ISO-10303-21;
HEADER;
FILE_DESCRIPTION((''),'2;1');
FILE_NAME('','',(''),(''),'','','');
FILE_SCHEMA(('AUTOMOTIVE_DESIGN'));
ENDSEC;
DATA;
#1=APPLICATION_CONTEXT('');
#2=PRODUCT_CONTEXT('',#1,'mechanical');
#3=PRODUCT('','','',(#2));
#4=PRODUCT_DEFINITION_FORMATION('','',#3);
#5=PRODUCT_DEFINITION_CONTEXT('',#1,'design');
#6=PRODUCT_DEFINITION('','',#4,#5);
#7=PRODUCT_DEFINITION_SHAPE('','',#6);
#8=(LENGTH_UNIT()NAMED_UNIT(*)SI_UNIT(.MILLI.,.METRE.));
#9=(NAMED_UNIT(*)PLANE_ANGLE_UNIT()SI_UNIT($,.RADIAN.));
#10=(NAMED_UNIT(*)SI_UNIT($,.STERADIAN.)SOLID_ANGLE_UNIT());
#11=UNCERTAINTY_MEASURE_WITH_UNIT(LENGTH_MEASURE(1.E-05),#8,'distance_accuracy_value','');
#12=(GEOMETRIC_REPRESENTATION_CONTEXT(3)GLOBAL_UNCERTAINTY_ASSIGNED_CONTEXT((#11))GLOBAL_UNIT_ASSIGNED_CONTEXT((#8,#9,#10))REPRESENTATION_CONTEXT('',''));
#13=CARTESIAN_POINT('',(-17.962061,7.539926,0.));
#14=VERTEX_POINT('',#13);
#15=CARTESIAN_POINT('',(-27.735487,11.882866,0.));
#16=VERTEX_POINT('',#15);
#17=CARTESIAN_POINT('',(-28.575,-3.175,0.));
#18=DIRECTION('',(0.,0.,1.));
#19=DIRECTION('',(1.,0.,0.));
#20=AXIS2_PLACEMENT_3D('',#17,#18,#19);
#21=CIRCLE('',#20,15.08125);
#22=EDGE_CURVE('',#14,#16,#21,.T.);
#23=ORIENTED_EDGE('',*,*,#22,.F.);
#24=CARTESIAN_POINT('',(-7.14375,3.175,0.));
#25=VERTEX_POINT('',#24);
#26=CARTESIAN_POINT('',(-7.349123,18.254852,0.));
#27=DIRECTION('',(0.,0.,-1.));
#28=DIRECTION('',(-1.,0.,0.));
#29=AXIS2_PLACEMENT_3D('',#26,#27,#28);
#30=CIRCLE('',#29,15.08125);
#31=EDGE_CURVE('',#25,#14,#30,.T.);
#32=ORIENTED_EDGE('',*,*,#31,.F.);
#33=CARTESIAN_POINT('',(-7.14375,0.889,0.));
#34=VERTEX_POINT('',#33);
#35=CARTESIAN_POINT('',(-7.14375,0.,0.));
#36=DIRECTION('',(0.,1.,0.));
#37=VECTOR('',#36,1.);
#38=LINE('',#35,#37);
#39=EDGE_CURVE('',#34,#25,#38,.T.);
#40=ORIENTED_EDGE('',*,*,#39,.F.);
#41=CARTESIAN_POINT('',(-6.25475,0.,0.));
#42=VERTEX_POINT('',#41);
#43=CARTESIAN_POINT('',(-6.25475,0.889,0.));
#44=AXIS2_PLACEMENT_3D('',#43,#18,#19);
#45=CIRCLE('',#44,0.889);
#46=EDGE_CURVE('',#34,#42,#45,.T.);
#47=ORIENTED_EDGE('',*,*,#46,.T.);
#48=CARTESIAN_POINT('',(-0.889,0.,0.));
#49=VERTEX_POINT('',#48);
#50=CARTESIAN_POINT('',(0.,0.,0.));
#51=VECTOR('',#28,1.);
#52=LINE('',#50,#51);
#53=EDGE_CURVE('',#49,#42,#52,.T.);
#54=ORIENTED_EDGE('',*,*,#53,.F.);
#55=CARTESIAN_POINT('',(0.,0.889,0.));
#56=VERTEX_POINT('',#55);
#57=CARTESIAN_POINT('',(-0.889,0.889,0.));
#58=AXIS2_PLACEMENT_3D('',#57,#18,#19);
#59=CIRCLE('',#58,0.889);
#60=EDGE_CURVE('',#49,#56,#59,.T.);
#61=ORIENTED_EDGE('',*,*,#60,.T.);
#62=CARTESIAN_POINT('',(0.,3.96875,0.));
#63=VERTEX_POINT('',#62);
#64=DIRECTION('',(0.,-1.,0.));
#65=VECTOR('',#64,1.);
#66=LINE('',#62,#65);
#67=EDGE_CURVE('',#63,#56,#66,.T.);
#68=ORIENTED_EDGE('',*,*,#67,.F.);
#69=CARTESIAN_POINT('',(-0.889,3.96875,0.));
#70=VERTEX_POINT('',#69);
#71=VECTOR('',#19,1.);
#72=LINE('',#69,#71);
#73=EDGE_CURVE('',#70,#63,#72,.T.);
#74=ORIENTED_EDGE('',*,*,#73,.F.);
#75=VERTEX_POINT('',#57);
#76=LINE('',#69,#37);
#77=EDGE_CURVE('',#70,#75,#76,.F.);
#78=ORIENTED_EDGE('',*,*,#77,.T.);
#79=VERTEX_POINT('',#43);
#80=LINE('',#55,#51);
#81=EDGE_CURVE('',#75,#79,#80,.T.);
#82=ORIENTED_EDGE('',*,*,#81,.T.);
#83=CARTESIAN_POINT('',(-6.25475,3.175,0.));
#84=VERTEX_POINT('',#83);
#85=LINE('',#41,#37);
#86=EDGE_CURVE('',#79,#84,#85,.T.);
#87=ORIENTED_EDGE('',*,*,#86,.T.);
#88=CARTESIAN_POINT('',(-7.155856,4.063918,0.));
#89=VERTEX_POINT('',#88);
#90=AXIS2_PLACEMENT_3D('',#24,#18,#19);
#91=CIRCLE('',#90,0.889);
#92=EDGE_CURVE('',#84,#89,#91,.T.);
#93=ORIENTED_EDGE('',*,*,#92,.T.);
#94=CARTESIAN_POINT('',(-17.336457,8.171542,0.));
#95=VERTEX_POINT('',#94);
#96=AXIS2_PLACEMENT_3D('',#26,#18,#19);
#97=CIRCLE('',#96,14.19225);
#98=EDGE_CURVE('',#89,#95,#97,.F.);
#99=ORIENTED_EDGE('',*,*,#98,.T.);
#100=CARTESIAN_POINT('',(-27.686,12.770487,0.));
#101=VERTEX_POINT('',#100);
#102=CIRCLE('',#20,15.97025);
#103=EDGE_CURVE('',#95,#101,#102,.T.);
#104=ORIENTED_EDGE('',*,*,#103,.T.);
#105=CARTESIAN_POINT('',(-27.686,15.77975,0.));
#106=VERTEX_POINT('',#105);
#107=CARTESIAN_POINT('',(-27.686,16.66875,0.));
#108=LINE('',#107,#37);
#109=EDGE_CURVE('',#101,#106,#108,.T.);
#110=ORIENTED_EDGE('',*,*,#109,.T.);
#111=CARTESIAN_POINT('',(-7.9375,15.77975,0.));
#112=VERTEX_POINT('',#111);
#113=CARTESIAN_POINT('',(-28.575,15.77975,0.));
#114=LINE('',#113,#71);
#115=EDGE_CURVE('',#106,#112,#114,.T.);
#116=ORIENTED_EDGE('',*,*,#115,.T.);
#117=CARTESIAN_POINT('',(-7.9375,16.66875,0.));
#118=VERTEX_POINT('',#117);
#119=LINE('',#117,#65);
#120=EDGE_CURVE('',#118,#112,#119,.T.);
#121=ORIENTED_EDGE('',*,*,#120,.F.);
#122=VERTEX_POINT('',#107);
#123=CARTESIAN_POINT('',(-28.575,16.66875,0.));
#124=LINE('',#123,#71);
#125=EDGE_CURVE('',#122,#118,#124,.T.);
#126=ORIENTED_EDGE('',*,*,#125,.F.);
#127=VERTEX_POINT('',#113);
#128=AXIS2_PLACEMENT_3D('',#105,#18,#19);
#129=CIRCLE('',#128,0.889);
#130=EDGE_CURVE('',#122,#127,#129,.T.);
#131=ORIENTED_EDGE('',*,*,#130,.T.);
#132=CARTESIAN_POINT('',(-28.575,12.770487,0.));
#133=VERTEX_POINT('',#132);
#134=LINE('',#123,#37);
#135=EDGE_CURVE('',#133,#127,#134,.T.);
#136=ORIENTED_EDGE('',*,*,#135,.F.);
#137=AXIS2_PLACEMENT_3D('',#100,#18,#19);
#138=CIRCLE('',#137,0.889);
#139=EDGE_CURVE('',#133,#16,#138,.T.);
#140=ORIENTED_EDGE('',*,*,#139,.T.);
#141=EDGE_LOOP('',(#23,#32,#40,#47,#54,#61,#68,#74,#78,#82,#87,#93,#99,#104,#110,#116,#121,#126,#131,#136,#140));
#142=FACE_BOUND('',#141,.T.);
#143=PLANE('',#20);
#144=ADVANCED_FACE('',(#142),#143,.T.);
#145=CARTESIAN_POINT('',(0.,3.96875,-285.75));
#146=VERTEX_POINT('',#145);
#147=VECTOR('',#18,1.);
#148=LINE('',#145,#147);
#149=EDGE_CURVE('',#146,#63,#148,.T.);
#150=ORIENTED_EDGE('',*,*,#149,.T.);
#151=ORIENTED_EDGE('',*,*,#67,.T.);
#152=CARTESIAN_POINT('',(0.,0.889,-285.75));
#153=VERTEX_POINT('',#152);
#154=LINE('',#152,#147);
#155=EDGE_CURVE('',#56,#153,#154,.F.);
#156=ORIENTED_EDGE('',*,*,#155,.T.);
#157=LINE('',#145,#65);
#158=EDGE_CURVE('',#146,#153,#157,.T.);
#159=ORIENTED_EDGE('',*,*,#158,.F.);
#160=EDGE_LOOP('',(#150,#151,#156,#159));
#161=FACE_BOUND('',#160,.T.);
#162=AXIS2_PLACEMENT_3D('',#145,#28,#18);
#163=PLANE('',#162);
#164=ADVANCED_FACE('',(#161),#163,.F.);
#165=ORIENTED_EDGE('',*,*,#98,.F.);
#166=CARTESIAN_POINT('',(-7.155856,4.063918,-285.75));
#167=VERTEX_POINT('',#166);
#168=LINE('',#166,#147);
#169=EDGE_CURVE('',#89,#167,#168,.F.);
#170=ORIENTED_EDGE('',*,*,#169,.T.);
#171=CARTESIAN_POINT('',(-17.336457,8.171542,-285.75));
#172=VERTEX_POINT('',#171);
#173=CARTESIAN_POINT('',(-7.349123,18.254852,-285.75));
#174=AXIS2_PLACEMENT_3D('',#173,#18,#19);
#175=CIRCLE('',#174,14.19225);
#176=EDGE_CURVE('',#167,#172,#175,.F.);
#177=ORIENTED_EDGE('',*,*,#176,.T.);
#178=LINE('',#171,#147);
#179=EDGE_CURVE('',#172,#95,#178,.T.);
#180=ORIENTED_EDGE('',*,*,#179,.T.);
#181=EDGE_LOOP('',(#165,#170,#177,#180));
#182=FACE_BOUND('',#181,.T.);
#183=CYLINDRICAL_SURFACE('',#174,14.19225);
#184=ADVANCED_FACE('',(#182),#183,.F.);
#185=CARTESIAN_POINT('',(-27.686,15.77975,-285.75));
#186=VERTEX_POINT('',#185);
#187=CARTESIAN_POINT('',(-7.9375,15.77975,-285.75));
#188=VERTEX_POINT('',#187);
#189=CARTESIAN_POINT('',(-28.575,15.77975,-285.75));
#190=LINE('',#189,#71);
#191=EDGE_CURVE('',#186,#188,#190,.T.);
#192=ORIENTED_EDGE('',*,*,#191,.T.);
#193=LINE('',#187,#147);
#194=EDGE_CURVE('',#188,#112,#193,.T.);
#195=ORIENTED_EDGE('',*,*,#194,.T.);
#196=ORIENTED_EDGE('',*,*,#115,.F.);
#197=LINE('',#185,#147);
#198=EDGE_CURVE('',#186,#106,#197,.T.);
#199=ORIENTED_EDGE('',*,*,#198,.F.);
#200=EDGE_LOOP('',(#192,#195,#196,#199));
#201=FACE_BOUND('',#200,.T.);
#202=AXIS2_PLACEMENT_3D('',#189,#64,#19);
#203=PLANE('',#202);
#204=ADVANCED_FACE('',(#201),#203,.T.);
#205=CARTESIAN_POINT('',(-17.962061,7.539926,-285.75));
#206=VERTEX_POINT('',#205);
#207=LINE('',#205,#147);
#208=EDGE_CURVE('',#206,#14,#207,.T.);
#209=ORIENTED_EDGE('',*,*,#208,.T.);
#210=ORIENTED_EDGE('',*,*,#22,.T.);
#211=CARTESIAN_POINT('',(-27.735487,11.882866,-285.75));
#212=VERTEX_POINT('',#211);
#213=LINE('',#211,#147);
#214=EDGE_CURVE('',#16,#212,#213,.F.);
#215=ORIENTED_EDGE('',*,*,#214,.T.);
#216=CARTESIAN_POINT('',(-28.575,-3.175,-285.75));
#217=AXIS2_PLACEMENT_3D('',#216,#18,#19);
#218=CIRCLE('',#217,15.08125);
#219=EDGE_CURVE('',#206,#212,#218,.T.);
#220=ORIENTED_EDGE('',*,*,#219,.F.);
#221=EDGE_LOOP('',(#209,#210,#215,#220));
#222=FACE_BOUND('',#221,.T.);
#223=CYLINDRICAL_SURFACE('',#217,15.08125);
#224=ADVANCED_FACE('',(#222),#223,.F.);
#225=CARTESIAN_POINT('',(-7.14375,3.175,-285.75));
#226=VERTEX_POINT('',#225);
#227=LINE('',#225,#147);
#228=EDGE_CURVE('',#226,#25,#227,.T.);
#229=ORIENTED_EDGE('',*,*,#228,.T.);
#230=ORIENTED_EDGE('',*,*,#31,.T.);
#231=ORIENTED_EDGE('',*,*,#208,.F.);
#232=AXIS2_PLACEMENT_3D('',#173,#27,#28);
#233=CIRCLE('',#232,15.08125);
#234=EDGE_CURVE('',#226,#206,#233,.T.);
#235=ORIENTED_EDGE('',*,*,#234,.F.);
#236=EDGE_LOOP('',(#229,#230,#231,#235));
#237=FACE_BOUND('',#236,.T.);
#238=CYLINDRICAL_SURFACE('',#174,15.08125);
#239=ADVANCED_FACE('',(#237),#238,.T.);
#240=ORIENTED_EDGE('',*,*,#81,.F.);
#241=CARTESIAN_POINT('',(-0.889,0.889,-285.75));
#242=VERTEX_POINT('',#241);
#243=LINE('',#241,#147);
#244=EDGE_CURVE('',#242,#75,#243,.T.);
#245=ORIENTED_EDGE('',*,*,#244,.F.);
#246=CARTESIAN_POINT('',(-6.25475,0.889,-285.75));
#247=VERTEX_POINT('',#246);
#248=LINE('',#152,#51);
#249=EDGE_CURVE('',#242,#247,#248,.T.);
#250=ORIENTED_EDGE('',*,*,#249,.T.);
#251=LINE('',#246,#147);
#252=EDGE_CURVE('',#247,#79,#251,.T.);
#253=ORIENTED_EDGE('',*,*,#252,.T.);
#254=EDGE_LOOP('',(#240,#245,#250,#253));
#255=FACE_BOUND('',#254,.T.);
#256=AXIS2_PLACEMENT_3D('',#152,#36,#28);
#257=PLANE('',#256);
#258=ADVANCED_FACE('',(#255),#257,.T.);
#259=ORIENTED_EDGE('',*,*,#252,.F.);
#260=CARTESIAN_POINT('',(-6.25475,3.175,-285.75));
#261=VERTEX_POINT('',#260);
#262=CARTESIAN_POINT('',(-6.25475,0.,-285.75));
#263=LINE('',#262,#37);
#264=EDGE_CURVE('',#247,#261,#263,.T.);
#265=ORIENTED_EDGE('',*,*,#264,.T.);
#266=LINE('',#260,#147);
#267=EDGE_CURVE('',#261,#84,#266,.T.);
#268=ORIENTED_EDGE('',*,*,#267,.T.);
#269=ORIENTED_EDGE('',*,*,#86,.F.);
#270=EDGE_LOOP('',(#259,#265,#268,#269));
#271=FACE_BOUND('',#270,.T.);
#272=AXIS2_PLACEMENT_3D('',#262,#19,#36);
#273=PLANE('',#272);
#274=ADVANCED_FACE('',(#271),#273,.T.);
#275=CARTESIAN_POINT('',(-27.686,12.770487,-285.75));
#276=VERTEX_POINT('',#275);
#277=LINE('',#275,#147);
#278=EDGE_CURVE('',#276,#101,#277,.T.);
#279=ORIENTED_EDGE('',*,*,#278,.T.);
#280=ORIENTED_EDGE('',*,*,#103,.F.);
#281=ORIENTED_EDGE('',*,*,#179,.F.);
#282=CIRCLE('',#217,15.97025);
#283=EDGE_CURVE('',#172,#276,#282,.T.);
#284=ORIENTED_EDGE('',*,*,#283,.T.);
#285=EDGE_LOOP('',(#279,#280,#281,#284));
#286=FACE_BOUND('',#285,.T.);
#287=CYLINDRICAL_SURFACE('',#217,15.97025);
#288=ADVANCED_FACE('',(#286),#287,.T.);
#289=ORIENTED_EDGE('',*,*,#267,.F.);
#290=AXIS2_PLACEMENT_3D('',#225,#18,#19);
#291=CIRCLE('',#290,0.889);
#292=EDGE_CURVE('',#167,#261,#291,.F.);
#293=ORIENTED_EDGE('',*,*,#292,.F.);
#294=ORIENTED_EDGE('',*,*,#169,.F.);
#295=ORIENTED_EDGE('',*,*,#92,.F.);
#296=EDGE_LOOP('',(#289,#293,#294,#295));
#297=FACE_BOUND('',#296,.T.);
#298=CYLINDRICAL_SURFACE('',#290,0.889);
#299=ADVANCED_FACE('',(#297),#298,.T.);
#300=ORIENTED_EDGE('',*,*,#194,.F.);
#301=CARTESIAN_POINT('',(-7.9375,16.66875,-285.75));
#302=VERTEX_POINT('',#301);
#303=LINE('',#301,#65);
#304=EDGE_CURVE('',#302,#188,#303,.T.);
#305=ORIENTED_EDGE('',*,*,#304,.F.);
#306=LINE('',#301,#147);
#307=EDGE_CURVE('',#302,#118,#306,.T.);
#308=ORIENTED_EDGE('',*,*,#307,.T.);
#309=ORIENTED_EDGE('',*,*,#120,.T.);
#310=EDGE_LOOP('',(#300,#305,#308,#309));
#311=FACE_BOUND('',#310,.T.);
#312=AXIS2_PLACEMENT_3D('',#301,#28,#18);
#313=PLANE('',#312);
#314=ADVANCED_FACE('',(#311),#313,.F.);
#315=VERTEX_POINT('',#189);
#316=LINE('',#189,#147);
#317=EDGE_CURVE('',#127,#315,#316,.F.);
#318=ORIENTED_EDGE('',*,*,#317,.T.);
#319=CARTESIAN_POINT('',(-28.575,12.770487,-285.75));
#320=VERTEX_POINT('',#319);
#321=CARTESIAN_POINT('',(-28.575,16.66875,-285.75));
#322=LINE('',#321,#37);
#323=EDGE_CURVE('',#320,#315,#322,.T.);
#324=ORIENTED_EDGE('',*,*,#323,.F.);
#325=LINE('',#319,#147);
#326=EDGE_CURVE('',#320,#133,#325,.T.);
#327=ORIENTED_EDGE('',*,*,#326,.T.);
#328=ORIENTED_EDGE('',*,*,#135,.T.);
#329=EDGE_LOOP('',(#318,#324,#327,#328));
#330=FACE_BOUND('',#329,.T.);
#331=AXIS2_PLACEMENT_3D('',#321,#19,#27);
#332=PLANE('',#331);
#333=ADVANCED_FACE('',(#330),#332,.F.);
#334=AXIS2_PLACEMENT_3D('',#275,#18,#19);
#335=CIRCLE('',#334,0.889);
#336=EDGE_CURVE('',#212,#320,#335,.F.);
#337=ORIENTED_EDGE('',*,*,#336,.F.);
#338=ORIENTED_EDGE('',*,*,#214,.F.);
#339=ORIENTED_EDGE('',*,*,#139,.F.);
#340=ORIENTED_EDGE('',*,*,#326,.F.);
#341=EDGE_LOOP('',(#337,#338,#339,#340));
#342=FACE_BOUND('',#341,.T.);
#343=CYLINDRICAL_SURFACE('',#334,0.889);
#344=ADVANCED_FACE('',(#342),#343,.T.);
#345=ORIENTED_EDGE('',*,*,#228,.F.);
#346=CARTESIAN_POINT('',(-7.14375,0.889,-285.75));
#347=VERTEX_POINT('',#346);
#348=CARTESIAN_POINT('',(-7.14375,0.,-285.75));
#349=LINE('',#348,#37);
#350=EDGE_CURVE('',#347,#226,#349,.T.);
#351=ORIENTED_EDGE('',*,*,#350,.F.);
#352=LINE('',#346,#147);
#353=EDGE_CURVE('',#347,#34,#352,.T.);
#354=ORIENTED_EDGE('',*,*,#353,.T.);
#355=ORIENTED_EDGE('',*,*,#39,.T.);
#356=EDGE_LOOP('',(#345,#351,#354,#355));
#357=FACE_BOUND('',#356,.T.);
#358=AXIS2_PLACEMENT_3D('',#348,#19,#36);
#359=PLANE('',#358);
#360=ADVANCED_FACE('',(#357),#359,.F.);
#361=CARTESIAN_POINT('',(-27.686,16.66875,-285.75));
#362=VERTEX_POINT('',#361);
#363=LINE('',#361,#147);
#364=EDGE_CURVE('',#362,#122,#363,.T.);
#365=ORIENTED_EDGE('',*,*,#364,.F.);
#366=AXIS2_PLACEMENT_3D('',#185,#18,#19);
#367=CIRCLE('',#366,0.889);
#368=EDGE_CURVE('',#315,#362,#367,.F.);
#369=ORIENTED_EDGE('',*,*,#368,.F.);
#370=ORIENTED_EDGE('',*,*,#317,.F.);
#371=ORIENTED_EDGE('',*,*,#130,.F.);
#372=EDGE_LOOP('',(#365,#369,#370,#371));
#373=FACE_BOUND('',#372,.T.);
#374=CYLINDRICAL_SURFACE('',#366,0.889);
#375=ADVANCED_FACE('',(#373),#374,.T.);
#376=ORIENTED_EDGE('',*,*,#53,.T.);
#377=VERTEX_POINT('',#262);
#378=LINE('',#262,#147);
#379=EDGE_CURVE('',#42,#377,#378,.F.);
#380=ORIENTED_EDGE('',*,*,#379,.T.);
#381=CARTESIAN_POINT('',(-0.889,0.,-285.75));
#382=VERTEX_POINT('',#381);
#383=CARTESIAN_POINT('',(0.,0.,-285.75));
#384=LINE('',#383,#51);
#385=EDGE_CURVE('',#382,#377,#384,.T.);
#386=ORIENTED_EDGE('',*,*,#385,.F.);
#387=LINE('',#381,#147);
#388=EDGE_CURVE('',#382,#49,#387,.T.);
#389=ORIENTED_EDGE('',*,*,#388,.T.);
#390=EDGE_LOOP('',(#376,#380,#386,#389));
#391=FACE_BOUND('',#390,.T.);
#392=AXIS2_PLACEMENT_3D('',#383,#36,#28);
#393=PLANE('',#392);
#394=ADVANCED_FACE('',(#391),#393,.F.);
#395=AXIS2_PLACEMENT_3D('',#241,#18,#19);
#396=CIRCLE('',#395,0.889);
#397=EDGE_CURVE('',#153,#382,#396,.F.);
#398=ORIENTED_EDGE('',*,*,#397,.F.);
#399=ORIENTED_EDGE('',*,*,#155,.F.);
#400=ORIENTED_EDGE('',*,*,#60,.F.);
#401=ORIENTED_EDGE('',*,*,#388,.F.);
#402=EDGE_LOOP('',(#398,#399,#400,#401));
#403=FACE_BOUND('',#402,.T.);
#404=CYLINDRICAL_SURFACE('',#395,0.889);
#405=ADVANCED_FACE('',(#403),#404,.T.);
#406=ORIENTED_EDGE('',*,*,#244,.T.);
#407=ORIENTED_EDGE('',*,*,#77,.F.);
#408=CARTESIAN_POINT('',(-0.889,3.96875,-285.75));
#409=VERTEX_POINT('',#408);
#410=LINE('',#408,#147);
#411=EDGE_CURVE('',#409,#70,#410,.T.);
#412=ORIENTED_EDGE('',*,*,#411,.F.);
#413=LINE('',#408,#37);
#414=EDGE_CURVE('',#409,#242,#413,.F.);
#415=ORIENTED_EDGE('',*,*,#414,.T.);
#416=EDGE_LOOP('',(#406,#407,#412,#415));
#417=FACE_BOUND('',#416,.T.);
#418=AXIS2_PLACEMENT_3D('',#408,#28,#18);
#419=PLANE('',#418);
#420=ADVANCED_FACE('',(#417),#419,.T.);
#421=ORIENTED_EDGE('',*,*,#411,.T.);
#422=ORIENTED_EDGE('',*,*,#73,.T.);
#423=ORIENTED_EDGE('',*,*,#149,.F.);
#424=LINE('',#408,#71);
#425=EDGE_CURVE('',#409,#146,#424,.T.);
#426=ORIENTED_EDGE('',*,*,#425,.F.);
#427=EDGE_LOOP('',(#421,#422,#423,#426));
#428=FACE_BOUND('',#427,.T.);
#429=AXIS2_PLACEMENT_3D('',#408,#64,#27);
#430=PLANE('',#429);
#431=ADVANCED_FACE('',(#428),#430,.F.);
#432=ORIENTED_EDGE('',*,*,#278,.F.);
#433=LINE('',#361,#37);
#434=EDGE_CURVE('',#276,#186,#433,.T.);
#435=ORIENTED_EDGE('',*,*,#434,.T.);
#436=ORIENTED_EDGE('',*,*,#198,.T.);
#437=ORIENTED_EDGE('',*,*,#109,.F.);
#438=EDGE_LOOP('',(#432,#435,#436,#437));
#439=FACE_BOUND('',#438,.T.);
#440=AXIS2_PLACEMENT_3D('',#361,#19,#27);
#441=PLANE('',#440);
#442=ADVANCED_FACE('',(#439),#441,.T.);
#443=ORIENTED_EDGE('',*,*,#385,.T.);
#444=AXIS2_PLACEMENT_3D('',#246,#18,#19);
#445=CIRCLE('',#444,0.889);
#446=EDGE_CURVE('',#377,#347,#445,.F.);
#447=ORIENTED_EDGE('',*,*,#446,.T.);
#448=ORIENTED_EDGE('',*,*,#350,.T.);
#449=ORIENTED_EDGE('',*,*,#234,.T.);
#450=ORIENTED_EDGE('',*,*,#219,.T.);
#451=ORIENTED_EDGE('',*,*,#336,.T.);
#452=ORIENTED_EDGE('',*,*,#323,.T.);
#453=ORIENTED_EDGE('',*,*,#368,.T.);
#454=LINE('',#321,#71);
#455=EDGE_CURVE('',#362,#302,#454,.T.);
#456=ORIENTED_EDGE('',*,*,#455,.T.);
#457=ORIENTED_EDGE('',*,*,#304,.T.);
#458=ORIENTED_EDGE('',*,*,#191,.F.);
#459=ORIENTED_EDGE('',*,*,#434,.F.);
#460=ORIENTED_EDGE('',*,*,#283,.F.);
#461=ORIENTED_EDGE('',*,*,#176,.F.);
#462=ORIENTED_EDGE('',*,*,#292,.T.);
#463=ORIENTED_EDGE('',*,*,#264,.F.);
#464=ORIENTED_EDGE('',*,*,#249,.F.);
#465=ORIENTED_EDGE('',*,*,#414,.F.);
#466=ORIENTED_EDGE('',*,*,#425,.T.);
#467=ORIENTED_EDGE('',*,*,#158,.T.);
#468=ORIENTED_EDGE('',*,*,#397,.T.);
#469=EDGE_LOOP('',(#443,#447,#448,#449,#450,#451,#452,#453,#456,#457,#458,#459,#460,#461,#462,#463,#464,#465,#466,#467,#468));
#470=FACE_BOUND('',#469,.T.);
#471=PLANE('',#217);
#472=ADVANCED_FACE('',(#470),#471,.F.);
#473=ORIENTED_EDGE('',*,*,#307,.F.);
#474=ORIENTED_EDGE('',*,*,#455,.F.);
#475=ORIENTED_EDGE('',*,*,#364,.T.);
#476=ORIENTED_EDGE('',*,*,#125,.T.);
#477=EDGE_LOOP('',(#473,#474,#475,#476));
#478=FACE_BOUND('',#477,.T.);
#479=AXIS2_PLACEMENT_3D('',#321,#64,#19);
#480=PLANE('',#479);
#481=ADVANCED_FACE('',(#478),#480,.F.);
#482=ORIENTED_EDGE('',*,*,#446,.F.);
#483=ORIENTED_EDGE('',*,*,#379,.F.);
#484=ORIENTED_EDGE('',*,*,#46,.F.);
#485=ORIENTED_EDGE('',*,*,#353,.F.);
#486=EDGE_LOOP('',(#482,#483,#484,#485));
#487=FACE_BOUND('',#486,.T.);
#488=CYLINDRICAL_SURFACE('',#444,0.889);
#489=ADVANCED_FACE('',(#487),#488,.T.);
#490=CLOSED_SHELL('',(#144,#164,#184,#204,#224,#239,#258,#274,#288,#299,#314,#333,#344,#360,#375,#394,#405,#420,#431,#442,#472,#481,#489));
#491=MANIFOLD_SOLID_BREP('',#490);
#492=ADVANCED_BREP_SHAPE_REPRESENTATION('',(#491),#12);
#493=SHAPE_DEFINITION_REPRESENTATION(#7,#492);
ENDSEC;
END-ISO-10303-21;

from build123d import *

# Parameters (mm, degrees)
EXTRUDE_THIN1_DEPTH = 285.75
FILLET1_R           = 0.889


with BuildPart() as part:
    # Sketch1 → Extrude-Thin1 (new body)
    with BuildSketch(Plane.XY):
        with BuildLine():
            Line((0, 3.96875), (0, 0))
            Line((0, 0), (-7.14375, 0))
            Line((-7.14375, 0), (-7.14375, 3.175))
            ThreePointArc((-7.14375, 3.175), (-12.992038746, 4.269087389), (-17.962061345, 7.539925789))
            ThreePointArc((-17.962061345, 7.539925789), (-22.83698523, 10.772017174), (-28.575, 11.90625))
            Line((-28.575, 11.90625), (-28.575, 16.66875))
            Line((-28.575, 16.66875), (-7.9375, 16.66875))
            Line((-7.9375, 16.66875), (-7.9375, 15.77975))
            Line((-7.9375, 15.77975), (-27.686, 15.77975))
            Line((-27.686, 15.77975), (-27.686, 12.770487263))
            ThreePointArc((-27.686, 12.770487263), (-22.089870787, 11.419244899), (-17.33645654, 8.171542467))
            ThreePointArc((-17.33645654, 8.171542467), (-12.238465129, 4.931402679), (-6.25475, 4.104858346))
            Line((-6.25475, 4.104858346), (-6.25475, 0.889))
            Line((-6.25475, 0.889), (-0.889, 0.889))
            Line((-0.889, 0.889), (-0.889, 3.96875))
            Line((-0.889, 3.96875), (0, 3.96875))
        make_face()
    extrude(amount=-EXTRUDE_THIN1_DEPTH)

    # Fillet1
    fillet1_edges = [part.edges().sort_by_distance(p)[0] for p in [
        (-6.25475, 4.104858346, -142.875),
        (0, 0, -142.875),
        (-7.14375, 0, -142.875),
        (-28.575, 11.90625, -142.875),
        (-28.575, 16.66875, -142.875),
    ]]
    fillet(fillet1_edges, radius=FILLET1_R)


solid = part.part
